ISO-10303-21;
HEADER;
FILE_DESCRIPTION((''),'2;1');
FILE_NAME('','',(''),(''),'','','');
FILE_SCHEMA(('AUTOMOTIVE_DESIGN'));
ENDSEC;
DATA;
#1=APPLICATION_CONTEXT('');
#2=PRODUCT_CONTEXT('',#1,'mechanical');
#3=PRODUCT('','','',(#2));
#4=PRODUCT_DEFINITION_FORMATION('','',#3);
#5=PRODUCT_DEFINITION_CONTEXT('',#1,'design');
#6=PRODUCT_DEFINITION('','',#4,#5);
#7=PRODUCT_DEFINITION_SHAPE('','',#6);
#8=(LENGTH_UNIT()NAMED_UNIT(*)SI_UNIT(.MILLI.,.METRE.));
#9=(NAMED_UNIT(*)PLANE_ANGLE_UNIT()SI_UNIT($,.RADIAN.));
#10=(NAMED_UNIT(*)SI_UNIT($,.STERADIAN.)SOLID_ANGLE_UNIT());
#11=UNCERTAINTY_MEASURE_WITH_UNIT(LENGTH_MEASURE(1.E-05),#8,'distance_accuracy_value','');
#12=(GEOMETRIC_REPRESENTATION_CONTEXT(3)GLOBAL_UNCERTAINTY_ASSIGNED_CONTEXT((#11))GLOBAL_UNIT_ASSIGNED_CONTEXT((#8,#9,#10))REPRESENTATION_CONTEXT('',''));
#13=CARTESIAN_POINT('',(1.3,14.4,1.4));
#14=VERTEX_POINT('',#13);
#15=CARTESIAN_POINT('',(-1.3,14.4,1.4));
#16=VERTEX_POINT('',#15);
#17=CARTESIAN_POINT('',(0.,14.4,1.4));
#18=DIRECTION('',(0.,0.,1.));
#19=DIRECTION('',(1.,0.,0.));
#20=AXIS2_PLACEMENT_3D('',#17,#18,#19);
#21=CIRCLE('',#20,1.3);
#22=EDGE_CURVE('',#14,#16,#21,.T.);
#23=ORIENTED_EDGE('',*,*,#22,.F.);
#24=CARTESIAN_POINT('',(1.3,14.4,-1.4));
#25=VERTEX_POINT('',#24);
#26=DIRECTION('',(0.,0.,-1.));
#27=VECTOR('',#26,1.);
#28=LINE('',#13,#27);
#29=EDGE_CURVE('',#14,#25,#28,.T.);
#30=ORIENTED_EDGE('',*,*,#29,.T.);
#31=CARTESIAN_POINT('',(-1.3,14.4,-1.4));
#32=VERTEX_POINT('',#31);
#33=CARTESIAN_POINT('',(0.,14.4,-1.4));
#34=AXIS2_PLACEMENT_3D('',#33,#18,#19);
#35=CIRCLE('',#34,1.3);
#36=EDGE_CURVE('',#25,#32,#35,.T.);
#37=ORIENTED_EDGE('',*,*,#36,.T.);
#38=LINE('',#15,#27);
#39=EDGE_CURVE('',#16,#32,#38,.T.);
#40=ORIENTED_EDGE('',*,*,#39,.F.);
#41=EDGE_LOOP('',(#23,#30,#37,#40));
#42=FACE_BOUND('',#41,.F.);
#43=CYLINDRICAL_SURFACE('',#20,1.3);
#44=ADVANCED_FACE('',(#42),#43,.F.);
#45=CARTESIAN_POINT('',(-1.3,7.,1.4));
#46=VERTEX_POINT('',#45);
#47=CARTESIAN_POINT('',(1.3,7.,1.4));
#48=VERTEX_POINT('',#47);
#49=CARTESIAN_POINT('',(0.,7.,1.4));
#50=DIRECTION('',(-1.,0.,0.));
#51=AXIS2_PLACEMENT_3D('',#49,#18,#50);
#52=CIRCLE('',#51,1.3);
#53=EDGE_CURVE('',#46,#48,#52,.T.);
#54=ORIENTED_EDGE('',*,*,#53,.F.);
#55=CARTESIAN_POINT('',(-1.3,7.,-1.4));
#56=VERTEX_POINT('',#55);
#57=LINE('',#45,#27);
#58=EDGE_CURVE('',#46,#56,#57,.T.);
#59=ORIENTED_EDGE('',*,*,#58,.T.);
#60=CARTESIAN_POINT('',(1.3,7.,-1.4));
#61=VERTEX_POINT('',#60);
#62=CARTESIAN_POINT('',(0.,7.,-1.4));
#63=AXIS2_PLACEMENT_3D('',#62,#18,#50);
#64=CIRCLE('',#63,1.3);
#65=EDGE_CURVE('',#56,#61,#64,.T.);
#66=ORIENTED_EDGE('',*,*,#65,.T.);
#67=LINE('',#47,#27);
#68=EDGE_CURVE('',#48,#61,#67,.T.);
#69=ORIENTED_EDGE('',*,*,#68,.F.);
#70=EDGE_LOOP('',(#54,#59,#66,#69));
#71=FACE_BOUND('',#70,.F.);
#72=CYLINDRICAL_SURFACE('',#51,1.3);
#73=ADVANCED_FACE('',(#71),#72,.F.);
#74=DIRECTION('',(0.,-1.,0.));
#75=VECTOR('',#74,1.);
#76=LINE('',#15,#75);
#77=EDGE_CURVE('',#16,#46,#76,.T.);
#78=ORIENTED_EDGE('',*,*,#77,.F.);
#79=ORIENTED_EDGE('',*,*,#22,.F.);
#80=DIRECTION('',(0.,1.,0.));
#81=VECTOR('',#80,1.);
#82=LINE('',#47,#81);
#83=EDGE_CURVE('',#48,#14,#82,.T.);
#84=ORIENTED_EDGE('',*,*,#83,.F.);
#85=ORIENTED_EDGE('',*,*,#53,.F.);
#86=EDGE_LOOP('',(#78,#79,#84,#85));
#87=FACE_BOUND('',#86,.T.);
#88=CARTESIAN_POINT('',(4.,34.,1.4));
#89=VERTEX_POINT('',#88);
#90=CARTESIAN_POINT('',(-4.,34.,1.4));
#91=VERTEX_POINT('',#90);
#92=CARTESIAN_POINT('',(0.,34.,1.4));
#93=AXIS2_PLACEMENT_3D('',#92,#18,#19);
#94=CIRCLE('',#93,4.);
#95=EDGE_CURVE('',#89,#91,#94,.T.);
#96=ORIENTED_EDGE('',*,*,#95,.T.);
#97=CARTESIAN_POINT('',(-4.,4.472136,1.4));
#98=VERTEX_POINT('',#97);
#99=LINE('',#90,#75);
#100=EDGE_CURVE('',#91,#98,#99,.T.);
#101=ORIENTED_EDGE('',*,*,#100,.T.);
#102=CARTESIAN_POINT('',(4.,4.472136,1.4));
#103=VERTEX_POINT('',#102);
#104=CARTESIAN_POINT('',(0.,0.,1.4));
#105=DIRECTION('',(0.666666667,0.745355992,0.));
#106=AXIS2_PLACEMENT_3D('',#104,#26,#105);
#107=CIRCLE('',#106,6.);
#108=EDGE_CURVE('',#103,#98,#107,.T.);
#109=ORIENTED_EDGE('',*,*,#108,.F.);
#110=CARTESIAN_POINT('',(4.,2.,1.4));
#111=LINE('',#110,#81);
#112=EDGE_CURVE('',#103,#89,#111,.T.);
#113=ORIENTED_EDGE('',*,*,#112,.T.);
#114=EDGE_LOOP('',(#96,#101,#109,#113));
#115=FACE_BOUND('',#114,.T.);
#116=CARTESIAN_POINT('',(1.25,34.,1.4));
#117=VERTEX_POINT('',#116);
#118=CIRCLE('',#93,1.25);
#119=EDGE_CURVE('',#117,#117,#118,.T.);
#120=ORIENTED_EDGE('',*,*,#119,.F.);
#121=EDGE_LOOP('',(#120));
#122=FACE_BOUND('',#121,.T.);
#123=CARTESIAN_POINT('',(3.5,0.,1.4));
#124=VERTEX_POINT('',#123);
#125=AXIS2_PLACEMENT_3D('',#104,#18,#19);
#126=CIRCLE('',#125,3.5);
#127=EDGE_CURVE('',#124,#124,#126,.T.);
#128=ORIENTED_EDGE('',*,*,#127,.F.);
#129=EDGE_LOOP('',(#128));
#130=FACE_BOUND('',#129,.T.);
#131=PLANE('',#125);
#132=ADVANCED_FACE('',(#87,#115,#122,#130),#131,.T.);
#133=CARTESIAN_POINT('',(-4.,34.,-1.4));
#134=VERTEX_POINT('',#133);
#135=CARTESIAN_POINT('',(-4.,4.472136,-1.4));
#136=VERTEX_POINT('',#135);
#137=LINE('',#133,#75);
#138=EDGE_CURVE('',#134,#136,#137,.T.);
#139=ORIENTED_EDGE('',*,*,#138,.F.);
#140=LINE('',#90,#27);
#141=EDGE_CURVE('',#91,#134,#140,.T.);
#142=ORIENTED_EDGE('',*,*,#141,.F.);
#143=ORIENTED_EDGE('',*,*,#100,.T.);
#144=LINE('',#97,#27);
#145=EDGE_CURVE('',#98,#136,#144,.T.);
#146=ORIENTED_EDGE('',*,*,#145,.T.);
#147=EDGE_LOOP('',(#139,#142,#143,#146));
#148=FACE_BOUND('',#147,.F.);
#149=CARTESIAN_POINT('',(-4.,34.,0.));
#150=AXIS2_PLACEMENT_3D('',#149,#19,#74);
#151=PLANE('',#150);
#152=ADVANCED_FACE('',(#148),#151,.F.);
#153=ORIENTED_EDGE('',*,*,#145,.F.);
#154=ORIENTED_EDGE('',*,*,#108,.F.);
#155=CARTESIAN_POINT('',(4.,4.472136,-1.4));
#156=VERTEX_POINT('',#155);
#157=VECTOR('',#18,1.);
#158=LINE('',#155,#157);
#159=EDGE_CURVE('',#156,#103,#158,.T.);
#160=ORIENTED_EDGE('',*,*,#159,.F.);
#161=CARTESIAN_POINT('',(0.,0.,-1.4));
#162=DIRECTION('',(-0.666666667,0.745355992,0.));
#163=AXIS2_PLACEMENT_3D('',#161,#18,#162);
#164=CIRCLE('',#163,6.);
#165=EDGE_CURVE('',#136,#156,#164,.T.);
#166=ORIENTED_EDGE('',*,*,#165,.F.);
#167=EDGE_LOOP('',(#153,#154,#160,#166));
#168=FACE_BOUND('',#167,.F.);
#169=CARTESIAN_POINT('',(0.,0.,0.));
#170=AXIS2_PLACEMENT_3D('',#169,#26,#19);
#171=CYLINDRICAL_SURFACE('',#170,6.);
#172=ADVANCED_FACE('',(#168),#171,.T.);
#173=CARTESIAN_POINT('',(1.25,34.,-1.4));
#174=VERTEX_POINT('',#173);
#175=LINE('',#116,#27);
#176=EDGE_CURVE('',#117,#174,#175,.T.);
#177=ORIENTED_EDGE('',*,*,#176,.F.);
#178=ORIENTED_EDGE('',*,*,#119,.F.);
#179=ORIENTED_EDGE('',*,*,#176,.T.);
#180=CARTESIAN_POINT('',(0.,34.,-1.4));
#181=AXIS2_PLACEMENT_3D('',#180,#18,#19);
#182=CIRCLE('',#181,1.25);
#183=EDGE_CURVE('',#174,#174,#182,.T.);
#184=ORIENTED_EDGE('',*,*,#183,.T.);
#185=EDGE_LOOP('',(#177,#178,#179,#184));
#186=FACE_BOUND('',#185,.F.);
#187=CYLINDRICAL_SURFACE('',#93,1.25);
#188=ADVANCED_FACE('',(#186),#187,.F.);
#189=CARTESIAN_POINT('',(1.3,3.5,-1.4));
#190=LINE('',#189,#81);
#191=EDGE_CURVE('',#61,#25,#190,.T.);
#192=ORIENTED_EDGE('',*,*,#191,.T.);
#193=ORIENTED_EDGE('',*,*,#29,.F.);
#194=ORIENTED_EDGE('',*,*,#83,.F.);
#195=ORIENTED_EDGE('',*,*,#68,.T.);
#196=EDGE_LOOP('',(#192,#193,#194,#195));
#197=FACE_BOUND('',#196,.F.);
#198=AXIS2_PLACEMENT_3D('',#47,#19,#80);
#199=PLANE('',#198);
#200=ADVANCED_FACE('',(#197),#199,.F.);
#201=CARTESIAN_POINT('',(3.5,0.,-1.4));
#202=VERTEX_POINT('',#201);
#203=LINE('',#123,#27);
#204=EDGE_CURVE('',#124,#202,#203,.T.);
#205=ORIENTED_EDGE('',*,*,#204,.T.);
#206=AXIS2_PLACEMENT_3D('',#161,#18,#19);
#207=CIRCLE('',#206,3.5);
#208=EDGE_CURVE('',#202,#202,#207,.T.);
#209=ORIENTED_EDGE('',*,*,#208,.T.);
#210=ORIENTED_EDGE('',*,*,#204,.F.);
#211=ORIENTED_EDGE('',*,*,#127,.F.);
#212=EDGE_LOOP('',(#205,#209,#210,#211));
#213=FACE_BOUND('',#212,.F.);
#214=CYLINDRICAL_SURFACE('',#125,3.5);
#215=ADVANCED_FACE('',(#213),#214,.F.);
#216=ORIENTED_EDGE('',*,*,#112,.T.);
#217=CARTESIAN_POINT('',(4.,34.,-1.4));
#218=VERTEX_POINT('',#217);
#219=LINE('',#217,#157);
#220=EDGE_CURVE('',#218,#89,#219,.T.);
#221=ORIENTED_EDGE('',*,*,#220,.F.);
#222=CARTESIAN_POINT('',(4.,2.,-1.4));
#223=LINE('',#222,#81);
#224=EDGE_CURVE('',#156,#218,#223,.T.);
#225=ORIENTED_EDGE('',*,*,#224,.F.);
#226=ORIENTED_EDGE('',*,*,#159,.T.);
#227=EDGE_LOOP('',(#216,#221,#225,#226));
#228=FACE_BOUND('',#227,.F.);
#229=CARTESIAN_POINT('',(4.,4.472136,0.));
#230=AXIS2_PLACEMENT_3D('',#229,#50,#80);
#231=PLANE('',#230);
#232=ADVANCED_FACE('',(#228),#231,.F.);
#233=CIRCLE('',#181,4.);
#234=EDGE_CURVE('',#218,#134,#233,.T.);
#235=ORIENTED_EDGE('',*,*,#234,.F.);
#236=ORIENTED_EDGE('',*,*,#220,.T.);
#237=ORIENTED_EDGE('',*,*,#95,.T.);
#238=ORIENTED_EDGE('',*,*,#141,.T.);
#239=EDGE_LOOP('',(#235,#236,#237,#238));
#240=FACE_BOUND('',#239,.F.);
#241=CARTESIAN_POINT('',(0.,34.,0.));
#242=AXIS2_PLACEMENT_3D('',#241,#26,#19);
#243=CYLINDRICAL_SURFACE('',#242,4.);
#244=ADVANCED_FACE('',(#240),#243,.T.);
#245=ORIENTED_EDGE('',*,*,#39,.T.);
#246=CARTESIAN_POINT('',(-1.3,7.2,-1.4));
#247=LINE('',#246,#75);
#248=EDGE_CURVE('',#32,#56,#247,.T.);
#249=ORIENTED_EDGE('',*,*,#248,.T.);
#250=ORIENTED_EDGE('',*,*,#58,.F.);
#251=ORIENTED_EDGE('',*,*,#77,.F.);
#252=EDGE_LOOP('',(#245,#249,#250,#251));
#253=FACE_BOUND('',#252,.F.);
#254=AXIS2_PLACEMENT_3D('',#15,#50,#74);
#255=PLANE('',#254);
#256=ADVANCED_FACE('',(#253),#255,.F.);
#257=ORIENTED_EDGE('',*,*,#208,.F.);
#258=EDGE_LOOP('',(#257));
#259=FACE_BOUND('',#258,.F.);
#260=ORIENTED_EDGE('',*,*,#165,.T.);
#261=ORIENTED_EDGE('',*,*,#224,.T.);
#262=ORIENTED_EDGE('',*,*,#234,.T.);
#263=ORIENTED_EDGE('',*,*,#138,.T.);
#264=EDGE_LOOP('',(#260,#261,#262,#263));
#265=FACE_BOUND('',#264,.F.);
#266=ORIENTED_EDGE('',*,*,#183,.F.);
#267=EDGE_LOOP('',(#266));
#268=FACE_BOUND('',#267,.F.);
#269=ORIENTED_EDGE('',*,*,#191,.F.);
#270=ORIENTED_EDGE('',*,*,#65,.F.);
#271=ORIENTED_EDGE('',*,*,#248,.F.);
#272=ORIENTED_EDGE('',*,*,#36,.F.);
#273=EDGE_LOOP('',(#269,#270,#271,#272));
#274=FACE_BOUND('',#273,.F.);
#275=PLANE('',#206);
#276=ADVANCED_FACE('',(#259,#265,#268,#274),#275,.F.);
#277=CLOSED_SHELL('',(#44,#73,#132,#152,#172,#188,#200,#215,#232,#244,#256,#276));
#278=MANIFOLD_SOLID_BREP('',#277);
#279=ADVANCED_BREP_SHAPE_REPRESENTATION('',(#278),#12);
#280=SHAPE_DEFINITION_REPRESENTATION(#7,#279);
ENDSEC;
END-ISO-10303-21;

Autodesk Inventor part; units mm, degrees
ref_plane "YZ Plane" through (0, 0, 0) normal (1, 0, 0) x (0, 1, 0)
ref_plane "XZ Plane" through (0, 0, 0) normal (0, 1, 0) x (-1, 0, 0)
ref_plane "XY Plane" through (0, 0, 0) normal (0, 0, 1) x (1, 0, 0)
sketch "Sketch1" plane through (0, 0, 0) normal (0, 0, 1) x (1, 0, 0)
  circle A0 centre (0, 0) radius 6
  line L0 (0, 2) -> (0, 34) construction
  line L1 (4, 2) -> (4, 34)
  line L2 (-4, 34) -> (-4, 2)
  arc A1 (-4, 2) -> (4, 2) centre (0, 2) ccw
  arc A2 (4, 34) -> (-4, 34) centre (0, 34) ccw
  point P0 (0, 18)
  dimension "d0" = 12
  dimension "d1" = 8
  dimension "d2" = 34
extrude "Extrusion1" add sketch "Sketch1" along normal mid plane 2.8
sketch "Sketch2" plane through (0, 0, 1.4) normal (0, 0, 1) x (1, 0, 0)
  arc A0 (4, 34) -> (-4, 34) centre (0, 34) ccw construction
  arc A1 (-4, 4.4721) -> (4, 4.4721) centre (0, 0) ccw construction
  circle A2 centre (0, 0) radius 3.5
  circle A3 centre (0, 34) radius 1.25
  line L0 (0, 15.7) -> (0, 5.7) construction
  line L1 (-1.3, 14.4) -> (-1.3, 7)
  line L2 (1.3, 7) -> (1.3, 14.4)
  arc A4 (1.3, 14.4) -> (-1.3, 14.4) centre (0, 14.4) ccw
  arc A5 (-1.3, 7) -> (1.3, 7) centre (0, 7) ccw
  point P0 (0, 10.7)
  dimension "d5" = 10
  dimension "d6" = 2.6
  dimension "d7" = 7
  dimension "d8" = 2.5
  dimension "d9" = 7
extrude "Extrusion2" cut sketch "Sketch2" against normal through all
